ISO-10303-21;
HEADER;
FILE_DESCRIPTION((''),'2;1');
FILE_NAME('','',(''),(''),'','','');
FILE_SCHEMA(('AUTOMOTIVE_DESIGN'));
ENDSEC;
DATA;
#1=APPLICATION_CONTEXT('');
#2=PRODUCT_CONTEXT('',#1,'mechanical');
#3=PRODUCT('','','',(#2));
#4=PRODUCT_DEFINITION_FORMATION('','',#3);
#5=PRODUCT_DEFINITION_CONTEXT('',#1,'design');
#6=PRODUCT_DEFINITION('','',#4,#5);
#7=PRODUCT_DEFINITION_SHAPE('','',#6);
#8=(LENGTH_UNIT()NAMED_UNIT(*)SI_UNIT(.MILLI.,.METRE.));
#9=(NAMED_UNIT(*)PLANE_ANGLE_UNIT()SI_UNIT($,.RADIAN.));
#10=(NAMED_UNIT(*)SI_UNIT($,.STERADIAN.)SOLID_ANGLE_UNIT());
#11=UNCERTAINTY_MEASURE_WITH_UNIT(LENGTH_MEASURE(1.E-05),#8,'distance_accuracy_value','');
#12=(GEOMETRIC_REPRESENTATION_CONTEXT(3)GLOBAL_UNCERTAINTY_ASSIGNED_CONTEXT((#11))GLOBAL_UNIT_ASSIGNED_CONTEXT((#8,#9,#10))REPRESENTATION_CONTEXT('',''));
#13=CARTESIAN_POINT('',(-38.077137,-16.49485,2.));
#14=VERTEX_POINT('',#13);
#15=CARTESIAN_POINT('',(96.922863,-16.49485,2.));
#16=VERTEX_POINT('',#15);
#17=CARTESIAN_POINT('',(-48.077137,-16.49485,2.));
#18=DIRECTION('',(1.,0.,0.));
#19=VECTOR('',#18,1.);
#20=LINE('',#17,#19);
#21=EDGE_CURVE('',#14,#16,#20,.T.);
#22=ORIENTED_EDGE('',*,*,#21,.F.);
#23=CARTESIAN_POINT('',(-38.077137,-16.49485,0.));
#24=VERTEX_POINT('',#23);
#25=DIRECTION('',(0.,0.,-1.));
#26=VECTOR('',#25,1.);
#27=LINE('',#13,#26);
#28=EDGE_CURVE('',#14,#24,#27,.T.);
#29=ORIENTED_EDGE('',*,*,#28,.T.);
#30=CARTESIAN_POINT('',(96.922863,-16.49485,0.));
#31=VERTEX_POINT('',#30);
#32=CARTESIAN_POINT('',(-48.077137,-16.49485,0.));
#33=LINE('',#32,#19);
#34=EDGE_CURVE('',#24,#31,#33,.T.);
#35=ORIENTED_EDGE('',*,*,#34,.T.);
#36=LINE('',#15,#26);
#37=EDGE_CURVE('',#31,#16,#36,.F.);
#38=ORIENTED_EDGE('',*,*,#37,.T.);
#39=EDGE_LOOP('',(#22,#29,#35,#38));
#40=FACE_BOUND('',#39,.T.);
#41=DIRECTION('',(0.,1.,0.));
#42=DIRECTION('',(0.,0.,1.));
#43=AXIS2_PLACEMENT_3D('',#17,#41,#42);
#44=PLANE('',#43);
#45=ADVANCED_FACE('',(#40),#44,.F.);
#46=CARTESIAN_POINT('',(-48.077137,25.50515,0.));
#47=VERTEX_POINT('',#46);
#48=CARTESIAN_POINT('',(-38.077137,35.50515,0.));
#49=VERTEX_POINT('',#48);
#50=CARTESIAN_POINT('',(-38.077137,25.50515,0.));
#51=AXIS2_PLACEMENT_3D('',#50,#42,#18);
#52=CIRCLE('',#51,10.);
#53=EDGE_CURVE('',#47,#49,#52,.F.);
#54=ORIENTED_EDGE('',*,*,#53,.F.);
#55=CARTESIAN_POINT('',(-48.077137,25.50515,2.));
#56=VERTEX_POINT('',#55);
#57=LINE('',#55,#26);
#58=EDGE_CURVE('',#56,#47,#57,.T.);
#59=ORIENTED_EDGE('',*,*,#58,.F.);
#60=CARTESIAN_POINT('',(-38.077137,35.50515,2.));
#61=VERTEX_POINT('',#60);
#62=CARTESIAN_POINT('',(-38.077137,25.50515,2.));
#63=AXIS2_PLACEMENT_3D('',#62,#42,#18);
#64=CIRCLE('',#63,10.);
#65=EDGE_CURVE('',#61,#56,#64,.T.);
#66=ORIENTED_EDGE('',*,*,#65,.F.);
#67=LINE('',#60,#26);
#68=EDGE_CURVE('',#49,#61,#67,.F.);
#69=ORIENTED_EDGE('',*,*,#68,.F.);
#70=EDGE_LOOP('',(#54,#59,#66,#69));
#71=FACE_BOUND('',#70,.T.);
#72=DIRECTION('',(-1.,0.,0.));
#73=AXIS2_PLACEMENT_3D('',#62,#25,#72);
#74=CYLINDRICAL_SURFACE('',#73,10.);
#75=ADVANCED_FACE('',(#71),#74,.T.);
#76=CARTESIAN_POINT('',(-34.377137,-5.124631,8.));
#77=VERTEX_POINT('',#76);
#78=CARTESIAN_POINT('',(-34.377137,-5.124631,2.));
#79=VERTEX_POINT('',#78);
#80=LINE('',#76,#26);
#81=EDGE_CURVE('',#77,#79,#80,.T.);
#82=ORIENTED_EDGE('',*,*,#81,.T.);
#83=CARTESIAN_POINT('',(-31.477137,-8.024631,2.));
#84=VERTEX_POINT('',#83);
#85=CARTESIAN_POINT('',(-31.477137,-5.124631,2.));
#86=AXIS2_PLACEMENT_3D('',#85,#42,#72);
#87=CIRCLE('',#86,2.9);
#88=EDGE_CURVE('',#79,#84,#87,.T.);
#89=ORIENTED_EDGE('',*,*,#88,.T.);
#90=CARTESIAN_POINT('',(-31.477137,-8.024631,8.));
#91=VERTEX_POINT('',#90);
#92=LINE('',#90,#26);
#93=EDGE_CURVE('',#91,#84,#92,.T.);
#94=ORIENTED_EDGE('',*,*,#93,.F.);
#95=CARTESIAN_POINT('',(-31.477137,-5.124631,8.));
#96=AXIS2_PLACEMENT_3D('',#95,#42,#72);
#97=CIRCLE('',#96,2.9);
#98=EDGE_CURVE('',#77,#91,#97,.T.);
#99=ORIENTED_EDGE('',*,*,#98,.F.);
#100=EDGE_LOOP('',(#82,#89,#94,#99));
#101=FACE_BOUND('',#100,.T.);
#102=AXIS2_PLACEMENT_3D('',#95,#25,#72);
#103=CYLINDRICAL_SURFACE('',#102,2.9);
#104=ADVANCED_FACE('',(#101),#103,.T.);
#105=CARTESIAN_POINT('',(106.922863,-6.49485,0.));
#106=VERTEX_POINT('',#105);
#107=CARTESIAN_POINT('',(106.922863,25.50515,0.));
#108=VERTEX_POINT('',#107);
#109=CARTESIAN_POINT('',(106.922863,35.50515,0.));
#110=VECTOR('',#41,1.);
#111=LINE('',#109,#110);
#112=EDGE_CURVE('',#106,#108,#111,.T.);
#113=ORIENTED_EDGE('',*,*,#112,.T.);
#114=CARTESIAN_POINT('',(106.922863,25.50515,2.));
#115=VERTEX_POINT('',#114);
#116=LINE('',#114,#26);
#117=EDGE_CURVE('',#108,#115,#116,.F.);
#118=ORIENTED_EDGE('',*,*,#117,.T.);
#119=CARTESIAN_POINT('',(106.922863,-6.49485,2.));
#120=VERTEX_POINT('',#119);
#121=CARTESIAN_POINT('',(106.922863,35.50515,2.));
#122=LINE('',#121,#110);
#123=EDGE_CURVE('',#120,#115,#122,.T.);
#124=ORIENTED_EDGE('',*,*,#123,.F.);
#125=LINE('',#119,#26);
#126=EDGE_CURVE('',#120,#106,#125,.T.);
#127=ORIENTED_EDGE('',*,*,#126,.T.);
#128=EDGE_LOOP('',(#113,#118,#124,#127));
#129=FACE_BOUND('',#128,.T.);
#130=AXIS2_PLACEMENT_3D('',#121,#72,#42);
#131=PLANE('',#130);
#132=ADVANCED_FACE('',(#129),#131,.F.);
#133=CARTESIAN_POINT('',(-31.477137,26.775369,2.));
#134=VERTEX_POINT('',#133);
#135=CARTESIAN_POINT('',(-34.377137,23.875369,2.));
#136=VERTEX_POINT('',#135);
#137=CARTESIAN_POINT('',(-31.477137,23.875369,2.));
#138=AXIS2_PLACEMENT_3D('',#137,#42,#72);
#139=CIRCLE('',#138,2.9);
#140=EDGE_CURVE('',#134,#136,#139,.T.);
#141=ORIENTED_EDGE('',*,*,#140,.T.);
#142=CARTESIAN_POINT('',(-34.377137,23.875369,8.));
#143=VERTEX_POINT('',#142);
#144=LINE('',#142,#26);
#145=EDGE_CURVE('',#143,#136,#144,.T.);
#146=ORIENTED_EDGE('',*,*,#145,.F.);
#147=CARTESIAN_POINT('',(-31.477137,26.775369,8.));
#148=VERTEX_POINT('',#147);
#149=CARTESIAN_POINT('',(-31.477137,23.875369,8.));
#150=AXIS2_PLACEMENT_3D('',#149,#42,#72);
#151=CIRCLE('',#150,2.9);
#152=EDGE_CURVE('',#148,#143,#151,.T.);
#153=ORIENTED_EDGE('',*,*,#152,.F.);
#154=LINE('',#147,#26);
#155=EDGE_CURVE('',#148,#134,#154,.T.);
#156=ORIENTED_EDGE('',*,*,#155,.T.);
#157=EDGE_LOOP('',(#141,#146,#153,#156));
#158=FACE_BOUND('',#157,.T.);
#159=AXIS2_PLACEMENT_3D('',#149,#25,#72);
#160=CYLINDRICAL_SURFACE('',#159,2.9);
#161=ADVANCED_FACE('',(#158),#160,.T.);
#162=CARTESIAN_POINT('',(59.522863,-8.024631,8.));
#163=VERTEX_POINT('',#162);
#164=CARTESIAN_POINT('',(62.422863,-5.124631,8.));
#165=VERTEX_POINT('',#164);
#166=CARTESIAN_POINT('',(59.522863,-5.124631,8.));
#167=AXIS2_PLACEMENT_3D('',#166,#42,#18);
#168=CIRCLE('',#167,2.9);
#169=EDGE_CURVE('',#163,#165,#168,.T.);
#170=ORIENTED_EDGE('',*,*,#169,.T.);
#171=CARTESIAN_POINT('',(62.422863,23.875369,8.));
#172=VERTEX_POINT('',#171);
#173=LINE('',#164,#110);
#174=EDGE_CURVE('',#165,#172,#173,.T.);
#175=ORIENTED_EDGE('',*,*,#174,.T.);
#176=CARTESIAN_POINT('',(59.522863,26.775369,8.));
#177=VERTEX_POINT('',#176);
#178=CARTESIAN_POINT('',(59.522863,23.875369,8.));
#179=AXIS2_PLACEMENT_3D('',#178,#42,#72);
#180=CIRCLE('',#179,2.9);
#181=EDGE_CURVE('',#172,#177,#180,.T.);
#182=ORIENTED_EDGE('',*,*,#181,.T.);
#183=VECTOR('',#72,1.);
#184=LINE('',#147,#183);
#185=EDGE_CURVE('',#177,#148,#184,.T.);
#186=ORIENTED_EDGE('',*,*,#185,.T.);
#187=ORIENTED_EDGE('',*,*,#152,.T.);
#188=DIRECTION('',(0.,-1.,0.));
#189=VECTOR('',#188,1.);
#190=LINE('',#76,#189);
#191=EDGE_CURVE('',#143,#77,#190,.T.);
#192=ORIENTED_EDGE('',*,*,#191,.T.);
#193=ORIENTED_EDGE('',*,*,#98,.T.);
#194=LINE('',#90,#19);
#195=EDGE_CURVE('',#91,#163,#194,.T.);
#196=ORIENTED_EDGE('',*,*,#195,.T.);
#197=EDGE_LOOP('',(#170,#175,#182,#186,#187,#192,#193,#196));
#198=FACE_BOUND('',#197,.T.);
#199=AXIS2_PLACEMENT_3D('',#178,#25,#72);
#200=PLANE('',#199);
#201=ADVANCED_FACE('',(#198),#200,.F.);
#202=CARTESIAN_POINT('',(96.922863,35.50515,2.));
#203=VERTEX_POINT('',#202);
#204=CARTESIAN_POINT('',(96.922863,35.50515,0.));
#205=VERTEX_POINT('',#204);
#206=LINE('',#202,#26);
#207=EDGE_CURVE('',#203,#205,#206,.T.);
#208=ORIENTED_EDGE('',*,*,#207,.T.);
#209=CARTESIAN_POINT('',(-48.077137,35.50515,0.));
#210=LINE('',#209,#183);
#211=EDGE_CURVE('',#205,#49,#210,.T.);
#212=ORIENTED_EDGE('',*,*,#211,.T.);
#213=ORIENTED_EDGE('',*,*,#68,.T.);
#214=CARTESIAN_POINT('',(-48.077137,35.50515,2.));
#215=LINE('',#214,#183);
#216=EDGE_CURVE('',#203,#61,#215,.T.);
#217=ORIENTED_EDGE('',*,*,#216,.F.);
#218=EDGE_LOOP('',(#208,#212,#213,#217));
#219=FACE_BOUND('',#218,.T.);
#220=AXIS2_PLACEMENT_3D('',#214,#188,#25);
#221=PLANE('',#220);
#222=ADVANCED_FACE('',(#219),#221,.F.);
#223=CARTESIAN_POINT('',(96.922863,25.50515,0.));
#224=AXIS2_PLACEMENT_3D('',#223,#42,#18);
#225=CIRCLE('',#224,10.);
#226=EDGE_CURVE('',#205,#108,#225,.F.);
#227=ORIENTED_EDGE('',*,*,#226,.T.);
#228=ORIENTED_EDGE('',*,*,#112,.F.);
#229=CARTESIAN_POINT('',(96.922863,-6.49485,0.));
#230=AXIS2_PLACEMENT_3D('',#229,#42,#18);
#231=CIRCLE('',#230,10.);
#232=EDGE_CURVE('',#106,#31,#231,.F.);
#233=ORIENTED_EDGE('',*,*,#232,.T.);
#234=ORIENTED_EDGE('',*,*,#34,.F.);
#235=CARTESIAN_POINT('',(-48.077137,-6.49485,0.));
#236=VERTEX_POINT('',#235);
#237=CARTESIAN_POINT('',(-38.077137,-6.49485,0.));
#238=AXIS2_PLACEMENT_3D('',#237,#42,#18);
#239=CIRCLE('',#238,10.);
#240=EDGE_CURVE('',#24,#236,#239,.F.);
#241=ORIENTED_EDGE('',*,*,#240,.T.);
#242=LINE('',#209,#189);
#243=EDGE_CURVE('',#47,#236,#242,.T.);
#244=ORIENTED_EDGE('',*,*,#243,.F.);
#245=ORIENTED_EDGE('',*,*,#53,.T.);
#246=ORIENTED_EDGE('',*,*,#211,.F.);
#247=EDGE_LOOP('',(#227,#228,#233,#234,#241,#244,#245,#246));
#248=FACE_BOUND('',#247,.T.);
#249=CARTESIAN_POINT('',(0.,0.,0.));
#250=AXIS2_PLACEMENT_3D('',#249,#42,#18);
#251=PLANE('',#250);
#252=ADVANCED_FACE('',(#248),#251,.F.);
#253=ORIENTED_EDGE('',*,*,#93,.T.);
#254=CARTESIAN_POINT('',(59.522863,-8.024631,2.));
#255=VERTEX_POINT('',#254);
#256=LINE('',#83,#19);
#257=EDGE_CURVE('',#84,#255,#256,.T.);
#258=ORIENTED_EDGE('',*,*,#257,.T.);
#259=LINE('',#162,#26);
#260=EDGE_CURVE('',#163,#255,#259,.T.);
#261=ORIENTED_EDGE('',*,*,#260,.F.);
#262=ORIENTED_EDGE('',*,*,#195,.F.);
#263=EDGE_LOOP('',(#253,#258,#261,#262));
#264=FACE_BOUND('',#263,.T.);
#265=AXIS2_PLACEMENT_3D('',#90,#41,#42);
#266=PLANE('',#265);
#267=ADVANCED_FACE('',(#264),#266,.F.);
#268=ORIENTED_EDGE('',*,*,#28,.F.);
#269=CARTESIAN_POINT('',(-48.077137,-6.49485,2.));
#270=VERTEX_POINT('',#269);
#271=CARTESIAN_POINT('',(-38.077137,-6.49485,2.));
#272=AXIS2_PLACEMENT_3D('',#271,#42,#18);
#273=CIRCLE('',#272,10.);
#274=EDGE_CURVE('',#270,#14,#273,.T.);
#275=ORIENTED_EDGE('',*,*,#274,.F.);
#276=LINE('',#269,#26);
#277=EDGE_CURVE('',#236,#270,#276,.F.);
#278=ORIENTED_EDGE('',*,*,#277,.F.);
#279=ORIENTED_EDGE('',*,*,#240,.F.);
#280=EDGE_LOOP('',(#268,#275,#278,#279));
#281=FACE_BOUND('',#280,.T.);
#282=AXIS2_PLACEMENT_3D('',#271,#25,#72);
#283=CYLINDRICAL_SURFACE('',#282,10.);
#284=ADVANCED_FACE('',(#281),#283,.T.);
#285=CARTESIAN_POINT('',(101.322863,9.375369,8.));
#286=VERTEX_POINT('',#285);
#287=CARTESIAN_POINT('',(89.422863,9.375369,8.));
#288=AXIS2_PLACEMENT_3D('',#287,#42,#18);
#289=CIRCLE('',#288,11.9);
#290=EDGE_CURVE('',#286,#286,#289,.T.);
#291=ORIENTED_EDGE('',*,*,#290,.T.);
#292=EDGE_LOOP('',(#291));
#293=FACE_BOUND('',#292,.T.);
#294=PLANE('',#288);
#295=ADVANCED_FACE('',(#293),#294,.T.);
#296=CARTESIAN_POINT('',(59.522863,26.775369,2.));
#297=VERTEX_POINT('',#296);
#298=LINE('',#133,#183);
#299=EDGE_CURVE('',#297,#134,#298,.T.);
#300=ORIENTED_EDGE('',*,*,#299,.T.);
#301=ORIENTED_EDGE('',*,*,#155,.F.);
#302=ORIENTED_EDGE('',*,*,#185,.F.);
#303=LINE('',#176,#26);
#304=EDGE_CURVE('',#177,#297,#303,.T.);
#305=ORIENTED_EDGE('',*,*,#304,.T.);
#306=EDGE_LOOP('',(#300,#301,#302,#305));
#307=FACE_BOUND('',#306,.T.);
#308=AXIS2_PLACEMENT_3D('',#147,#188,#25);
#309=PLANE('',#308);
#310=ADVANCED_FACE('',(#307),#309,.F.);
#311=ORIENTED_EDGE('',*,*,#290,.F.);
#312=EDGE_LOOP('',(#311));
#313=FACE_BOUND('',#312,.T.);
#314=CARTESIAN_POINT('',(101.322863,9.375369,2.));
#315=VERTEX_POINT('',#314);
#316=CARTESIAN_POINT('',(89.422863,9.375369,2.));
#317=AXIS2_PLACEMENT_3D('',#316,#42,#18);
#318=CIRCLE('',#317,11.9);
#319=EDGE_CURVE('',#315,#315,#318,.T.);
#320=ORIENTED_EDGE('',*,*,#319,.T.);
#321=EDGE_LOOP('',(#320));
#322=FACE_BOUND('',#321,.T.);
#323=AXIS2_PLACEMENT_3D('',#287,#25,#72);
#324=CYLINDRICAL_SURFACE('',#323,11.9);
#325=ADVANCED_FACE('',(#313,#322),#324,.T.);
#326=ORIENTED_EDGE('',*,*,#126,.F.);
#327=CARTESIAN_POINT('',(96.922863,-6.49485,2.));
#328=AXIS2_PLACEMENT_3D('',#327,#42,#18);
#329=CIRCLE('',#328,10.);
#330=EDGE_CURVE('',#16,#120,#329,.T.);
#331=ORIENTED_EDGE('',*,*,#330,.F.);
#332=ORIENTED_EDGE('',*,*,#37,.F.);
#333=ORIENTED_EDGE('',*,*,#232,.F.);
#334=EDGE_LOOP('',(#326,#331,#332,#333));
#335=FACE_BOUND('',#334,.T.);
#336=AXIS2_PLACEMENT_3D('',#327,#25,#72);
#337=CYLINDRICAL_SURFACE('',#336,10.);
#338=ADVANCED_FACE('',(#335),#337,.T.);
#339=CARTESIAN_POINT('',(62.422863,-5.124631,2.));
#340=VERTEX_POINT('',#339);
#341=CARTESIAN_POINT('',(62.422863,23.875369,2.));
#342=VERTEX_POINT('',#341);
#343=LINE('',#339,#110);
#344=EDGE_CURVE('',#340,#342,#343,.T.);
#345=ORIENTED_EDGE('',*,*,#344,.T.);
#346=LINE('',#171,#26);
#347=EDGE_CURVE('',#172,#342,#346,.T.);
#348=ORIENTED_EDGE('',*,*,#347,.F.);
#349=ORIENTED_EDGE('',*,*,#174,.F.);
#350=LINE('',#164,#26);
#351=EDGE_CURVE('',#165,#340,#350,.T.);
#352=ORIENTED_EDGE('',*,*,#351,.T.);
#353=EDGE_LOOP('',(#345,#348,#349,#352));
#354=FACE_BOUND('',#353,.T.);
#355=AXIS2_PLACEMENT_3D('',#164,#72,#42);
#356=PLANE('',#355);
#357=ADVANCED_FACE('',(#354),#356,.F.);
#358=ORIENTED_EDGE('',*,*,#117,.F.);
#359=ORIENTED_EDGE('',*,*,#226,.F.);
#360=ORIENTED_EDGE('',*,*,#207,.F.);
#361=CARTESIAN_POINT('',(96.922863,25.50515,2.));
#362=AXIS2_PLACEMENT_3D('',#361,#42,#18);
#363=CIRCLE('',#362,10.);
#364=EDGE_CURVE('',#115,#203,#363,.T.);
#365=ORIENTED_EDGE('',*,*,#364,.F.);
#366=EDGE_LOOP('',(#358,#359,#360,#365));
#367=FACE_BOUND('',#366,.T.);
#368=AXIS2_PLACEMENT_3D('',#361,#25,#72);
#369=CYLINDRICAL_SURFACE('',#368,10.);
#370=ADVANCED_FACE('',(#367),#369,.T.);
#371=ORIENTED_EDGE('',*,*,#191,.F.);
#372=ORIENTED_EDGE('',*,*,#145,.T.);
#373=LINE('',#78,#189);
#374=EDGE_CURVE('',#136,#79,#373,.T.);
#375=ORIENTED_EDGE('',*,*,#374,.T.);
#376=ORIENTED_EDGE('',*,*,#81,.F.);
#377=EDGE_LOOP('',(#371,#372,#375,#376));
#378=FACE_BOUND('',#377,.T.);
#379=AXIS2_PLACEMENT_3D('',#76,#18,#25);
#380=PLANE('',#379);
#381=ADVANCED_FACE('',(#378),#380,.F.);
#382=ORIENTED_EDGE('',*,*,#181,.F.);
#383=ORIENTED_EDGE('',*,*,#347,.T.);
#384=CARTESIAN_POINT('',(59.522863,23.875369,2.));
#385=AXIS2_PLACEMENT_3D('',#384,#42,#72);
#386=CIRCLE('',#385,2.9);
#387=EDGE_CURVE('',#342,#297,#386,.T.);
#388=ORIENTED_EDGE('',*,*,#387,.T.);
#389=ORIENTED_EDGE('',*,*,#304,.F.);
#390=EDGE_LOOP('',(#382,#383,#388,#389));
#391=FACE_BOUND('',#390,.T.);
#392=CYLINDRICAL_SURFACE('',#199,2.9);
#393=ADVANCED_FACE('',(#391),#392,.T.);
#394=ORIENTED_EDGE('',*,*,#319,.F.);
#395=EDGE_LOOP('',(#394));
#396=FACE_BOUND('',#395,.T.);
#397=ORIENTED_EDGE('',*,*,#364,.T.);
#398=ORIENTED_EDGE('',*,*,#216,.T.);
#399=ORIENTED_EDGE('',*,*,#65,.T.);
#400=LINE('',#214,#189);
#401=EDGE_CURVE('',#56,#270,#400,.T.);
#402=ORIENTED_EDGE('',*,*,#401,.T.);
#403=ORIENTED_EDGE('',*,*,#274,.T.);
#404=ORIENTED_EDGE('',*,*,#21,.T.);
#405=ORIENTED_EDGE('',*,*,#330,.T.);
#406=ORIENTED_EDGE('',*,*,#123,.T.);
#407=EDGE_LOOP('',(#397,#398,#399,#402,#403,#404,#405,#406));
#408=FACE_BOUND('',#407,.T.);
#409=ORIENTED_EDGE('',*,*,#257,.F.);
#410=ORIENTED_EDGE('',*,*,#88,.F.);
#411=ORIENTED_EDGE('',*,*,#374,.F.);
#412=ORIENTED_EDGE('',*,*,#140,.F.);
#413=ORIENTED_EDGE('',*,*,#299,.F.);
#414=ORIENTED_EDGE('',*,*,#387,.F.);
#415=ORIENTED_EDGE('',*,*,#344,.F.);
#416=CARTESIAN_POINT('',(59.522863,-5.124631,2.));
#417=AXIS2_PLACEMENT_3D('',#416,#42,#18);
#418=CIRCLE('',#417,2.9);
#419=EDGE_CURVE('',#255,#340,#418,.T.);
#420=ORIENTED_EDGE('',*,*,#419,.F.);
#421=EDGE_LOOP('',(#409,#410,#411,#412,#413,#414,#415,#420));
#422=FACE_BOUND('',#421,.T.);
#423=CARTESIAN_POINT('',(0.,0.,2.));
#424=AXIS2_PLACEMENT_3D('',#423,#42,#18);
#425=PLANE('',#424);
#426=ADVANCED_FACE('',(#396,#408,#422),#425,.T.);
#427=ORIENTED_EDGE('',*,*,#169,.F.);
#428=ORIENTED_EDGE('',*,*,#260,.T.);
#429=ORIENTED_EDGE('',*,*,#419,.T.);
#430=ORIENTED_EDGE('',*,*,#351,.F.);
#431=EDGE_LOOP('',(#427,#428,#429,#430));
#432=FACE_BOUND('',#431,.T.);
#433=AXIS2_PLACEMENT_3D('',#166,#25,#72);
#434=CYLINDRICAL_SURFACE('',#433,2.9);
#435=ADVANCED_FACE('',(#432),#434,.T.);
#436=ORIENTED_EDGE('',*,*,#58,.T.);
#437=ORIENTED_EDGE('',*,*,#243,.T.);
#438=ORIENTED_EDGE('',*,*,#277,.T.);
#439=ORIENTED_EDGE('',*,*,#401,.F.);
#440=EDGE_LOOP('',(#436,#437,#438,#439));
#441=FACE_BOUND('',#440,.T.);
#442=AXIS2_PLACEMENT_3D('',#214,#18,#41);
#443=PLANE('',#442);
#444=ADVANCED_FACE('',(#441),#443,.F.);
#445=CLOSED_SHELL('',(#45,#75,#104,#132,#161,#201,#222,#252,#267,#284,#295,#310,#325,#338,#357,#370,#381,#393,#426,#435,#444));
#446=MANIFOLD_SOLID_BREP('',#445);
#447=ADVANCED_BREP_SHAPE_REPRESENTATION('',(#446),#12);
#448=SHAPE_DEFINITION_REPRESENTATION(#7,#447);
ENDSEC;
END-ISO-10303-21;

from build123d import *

# Parameters (mm, degrees)
ESQUISSE1_W        = 155
ESQUISSE1_H        = 52
BOSS_EXTRU_1_DEPTH = 2
CONG_1_R           = 10
ESQUISSE2_R        = 11.9
BOSS_EXTRU_2_DEPTH = 6


with BuildPart() as part:
    # Esquisse1 → Boss.-Extru.1 (new body)
    with BuildSketch(Plane.XY):
        with Locations((29.422862753, 9.505149502)):
            Rectangle(ESQUISSE1_W, ESQUISSE1_H)
    extrude(amount=BOSS_EXTRU_1_DEPTH)

    # Congé1
    cong_1_edges = [part.edges().sort_by_distance(p)[0] for p in [
        (-48.077137247, 35.505149502, 1),
        (106.922862753, 35.505149502, 1),
        (106.922862753, -16.494850498, 1),
        (-48.077137247, -16.494850498, 1),
    ]]
    fillet(cong_1_edges, radius=CONG_1_R)

    # Esquisse2 → Boss.-Extru.2 (add)
    with BuildSketch(Plane.XY.offset(2)):
        with Locations((89.422862753, 9.375368795)):
            Circle(ESQUISSE2_R)
        with BuildLine():
            Line((-31.477137247, -8.024631205), (59.522862753, -8.024631205))
            ThreePointArc((59.522862753, -8.024631205), (61.573472418, -7.17524087), (62.422862753, -5.124631205))
            Line((62.422862753, -5.124631205), (62.422862753, 23.875368795))
            ThreePointArc((62.422862753, 23.875368795), (61.573472418, 25.925978461), (59.522862753, 26.775368795))
            Line((59.522862753, 26.775368795), (-31.477137247, 26.775368795))
            ThreePointArc((-31.477137247, 26.775368795), (-33.527746913, 25.925978461), (-34.377137247, 23.875368795))
            Line((-34.377137247, 23.875368795), (-34.377137247, -5.124631205))
            ThreePointArc((-34.377137247, -5.124631205), (-33.527746913, -7.17524087), (-31.477137247, -8.024631205))
        make_face()
    extrude(amount=BOSS_EXTRU_2_DEPTH)


solid = part.part
